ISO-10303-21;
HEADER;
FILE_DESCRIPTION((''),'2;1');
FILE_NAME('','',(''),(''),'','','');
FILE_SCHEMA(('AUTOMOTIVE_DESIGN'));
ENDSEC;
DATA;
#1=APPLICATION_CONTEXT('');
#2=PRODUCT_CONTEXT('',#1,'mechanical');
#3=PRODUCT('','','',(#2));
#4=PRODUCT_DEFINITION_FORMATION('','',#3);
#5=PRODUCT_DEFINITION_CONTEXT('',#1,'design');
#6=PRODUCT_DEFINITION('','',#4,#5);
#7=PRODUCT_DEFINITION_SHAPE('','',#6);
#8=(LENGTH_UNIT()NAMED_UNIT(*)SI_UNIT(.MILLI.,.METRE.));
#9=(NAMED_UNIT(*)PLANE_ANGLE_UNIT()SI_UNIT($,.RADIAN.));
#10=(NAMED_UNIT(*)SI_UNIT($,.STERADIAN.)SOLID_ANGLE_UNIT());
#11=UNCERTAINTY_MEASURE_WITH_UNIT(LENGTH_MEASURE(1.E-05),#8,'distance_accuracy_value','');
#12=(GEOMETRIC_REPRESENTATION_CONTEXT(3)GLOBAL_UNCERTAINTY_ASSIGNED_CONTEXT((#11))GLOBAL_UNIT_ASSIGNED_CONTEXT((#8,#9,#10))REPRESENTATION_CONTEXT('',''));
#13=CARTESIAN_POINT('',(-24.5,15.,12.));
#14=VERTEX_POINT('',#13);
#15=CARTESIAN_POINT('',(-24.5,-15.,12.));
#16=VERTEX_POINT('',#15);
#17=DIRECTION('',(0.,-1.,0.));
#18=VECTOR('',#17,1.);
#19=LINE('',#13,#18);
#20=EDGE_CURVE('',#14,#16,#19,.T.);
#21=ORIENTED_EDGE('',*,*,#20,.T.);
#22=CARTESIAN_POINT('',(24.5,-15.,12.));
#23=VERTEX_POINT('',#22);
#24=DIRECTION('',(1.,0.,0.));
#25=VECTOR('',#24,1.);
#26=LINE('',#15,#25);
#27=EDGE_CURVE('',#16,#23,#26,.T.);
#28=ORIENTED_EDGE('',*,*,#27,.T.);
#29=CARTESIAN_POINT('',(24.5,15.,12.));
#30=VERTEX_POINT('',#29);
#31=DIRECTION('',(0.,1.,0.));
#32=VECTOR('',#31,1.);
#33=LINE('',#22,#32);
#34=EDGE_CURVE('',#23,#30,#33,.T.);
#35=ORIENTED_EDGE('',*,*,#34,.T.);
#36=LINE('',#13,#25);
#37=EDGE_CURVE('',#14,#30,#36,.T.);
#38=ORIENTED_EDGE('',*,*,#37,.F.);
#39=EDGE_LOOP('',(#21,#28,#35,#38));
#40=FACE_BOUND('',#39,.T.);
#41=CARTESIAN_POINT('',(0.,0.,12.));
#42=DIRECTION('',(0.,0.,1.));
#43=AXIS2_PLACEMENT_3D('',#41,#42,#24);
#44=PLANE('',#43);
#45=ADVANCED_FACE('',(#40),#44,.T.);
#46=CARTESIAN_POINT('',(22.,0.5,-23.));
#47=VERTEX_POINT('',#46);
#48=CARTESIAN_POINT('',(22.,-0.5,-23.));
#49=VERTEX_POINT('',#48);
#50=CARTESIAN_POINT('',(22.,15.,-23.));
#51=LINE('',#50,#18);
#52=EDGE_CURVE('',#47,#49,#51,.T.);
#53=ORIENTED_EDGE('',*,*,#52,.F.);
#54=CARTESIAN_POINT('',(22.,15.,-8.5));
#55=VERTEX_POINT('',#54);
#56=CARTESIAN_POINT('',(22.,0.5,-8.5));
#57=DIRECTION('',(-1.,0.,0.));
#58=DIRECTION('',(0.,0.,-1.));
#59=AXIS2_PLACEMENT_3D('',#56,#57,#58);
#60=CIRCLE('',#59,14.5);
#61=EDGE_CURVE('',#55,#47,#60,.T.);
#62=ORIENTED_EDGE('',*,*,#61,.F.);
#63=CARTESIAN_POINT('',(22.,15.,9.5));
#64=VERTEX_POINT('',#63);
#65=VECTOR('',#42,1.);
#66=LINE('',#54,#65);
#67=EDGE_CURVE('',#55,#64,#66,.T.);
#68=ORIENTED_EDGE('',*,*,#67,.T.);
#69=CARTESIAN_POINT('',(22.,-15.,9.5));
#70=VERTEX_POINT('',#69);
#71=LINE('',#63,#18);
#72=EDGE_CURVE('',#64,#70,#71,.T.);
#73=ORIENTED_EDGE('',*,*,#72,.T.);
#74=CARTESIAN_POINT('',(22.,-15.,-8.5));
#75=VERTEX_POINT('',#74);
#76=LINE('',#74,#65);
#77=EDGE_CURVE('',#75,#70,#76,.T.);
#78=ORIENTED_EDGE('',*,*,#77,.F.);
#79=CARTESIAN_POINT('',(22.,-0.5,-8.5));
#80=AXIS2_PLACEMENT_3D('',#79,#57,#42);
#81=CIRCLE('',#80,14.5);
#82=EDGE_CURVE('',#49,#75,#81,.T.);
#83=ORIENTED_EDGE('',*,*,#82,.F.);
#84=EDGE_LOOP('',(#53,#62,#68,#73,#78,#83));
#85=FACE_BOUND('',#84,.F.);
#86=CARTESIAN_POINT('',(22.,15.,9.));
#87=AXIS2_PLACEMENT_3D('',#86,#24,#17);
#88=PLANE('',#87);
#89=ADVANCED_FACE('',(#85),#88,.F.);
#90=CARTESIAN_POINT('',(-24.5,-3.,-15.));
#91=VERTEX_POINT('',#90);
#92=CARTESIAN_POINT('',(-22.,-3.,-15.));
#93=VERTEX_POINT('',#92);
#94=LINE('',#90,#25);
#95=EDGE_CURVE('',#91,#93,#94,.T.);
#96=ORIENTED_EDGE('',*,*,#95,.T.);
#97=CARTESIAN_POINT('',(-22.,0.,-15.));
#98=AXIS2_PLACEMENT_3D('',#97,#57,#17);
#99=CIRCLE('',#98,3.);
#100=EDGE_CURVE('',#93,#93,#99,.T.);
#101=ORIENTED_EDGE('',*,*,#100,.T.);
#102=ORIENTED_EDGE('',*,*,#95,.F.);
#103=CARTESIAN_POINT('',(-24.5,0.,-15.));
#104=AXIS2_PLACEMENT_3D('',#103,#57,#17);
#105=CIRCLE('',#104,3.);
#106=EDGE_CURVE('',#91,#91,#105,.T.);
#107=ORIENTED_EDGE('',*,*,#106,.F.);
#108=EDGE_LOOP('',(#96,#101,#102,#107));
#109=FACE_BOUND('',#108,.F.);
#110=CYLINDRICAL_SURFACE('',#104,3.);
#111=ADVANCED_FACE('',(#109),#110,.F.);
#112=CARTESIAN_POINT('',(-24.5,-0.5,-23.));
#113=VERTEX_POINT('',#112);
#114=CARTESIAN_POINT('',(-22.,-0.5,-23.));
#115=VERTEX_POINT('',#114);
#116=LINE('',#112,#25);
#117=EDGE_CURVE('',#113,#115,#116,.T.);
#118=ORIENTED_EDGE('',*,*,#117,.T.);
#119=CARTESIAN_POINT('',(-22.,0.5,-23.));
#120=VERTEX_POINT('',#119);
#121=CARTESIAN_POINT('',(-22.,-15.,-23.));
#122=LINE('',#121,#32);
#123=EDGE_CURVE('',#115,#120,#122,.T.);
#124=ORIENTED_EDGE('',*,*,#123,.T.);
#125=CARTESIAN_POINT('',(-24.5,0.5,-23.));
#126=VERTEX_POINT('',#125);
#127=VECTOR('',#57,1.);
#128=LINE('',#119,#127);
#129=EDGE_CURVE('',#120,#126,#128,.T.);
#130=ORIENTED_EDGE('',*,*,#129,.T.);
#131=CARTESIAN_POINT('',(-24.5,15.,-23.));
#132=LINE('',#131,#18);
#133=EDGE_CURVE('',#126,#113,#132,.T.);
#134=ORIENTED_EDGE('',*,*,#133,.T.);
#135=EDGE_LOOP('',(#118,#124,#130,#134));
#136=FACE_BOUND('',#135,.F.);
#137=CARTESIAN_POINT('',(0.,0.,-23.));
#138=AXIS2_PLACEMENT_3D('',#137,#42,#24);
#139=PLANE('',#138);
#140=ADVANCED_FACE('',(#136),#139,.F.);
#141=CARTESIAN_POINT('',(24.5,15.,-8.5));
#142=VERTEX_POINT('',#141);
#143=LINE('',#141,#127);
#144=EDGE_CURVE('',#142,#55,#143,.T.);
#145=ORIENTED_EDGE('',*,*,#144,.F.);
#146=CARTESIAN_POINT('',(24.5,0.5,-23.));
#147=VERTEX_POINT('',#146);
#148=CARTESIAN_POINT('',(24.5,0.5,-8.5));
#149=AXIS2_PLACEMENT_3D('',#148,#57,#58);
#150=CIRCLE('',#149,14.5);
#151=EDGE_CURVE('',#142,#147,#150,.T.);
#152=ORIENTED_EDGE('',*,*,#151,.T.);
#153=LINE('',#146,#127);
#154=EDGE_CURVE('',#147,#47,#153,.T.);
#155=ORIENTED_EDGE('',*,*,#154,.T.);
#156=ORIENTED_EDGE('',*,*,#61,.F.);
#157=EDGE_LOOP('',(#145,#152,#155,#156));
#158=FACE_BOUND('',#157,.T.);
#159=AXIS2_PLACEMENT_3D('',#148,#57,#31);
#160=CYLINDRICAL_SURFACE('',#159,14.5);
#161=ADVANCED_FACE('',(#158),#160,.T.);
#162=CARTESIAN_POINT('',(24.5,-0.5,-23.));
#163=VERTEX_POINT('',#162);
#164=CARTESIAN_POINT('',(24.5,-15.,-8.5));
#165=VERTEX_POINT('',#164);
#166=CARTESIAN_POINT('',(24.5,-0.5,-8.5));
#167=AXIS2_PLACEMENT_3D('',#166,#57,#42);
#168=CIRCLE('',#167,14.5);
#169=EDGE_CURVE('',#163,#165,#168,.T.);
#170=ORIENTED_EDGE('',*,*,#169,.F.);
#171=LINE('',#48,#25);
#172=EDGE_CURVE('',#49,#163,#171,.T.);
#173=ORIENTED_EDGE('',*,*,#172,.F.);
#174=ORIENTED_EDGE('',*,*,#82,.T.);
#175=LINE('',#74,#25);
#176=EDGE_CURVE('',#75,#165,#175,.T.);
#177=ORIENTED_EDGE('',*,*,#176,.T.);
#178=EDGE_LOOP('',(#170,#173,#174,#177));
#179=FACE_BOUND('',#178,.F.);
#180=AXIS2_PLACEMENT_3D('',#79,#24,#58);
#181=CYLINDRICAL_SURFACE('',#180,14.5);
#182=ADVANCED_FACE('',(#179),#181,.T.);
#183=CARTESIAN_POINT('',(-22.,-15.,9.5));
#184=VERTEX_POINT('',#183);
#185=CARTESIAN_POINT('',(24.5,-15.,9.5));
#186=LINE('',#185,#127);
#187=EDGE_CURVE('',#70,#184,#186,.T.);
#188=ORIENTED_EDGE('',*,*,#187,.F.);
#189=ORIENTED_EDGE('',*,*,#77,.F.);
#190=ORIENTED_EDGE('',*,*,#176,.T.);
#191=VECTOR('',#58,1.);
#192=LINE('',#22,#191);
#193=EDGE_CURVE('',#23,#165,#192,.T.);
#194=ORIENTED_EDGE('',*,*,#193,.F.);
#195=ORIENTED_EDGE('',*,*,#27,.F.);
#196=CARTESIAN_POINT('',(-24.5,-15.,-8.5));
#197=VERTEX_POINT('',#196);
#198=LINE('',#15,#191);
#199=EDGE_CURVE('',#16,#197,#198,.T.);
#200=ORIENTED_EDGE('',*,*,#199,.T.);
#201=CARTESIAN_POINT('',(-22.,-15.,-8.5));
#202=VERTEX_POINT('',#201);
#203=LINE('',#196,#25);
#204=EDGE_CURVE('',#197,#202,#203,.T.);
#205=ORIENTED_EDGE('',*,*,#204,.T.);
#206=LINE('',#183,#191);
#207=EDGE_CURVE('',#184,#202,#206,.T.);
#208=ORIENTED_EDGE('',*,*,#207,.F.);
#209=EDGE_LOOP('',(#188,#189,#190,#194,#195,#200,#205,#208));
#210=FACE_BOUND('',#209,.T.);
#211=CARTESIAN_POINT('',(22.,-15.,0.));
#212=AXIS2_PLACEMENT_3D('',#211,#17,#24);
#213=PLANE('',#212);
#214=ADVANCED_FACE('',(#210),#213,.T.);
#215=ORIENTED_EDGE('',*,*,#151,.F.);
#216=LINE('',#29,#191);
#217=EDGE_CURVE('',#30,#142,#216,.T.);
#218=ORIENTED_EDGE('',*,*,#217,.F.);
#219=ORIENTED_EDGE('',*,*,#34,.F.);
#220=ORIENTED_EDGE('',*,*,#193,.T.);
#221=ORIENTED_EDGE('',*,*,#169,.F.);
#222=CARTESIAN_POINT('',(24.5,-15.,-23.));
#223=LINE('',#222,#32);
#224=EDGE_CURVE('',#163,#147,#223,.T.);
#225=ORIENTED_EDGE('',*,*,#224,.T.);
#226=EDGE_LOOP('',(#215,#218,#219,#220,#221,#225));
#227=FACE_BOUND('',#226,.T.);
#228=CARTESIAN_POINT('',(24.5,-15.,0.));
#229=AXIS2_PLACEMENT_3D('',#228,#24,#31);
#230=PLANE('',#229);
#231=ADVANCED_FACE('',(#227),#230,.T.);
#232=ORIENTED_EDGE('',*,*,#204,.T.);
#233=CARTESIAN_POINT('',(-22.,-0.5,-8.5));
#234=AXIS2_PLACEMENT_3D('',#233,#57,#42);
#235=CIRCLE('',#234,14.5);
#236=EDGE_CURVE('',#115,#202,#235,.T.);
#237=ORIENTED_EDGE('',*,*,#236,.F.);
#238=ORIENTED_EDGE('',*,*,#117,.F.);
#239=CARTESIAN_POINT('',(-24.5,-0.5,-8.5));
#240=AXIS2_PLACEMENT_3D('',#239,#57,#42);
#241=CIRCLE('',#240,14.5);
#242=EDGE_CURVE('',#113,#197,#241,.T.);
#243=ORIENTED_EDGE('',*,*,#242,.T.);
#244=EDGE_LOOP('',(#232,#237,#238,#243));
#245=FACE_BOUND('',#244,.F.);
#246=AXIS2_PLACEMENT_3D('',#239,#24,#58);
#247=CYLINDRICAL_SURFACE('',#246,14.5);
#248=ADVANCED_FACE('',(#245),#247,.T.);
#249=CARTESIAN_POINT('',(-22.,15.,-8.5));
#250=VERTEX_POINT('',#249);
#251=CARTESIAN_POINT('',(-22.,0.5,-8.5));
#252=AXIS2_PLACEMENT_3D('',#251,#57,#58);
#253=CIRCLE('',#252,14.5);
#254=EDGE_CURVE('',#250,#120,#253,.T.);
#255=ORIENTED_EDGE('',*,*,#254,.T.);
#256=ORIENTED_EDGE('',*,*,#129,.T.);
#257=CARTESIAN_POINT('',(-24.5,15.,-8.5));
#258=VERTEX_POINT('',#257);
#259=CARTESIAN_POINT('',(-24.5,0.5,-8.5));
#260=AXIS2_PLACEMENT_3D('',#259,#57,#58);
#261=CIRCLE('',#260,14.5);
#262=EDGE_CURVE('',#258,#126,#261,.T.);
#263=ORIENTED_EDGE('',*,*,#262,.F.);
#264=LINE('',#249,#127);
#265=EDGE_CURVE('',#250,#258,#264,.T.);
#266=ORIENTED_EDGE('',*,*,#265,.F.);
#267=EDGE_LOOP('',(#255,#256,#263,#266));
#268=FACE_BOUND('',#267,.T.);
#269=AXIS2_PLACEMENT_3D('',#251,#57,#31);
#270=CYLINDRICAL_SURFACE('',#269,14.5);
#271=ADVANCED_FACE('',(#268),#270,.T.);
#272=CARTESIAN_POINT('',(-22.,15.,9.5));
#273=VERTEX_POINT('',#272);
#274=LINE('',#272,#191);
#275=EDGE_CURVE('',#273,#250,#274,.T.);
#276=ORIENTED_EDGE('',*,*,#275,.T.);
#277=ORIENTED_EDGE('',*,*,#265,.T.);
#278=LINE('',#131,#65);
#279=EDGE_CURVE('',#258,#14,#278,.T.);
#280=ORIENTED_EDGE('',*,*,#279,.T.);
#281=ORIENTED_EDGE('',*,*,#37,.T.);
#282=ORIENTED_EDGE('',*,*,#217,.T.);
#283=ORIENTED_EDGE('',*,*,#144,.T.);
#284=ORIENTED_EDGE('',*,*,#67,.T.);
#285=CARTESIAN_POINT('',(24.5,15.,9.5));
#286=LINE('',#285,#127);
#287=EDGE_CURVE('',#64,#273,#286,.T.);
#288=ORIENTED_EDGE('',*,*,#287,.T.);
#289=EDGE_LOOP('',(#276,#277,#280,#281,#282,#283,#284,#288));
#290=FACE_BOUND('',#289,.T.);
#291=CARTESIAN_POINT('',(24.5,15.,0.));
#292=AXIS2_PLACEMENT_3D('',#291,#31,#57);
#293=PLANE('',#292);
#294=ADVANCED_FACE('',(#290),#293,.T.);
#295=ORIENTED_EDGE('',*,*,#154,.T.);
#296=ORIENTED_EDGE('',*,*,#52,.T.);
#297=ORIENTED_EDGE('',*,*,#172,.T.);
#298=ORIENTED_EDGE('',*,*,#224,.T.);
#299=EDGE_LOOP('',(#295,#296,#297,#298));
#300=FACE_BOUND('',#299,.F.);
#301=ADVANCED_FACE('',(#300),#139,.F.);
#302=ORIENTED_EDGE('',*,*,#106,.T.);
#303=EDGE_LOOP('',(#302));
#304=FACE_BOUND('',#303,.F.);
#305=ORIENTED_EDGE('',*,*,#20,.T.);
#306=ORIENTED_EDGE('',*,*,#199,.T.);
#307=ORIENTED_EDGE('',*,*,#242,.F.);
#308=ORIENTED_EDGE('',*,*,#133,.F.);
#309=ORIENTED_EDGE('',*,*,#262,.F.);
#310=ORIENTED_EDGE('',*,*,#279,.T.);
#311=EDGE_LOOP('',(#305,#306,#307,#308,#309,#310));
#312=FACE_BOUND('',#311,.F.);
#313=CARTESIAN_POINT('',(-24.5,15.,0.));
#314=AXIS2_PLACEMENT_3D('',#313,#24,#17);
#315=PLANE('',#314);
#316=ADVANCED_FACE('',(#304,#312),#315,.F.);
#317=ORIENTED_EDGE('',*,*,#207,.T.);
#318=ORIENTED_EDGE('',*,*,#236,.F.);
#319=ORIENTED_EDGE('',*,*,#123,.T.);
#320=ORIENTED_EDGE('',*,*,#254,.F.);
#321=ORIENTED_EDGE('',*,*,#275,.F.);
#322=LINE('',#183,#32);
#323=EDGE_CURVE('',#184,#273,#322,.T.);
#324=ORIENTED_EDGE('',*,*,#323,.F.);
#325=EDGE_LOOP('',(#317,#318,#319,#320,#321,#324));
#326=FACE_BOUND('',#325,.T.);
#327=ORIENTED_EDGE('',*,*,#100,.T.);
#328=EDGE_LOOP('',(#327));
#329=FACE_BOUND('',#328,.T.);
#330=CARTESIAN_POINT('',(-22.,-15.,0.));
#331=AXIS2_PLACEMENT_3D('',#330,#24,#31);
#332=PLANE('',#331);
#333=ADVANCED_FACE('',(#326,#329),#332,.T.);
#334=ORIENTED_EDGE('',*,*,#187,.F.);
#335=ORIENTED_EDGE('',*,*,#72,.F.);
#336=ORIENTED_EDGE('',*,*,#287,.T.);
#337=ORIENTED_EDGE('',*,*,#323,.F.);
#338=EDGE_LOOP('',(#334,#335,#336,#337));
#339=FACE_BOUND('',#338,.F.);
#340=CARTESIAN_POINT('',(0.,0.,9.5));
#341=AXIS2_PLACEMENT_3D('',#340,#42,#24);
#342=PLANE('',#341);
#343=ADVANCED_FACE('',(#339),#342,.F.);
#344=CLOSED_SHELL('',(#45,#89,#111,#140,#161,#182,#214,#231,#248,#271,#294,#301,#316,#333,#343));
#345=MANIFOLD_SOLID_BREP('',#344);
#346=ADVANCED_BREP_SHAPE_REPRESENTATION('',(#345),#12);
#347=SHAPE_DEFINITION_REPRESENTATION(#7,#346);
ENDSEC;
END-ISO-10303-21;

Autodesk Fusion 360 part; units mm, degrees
sketch "Sketch1" plane through (0, 0, 0) normal (0, 0, 1) x (1, 0, 0)
  line L0 (-22, 15) -> (22, 15)
  line L1 (22, 15) -> (22, -15)
  line L2 (22, -15) -> (-22, -15)
  line L3 (-22, -15) -> (-22, 15)
  line L4 (-22, 15) -> (22, -15) construction
  line L5 (22, 15) -> (-22, -15) construction
  line L6 (24.5, 15) -> (22, 15)
  line L7 (22, 15) -> (22, -15)
  line L8 (22, -15) -> (24.5, -15)
  line L9 (24.5, -15) -> (24.5, 15)
  line L10 (-24.5, -15) -> (-22, -15)
  line L11 (-22, -15) -> (-22, 15)
  line L12 (-22, 15) -> (-24.5, 15)
  line L13 (-24.5, 15) -> (-24.5, -15)
  dimension "d1" = 44
  dimension "d2" = 30
  dimension "d8" = 2.5
  dimension "d9" = 2.5
extrude "Extrude1" add sketch "Sketch1" against normal blind 23 contours L3 L10 L11 L12 L13 | L1 L6 L7 L8 L9 makes body 1 at (24.5, -5, -7.6667) makes body 2 at (-22, -5, -7.6667)
extrude "Extrude2" add sketch "Sketch1" along normal blind 12 bodies 1 2
sketch "Sketch2" plane through (-24.5, 0, 0) normal (-1, 0, 0) x (0, -1, 0)
  line L0 (-15, 12) -> (-15, -23)
  line L1 (-15, -23) -> (15, -23)
  line L2 (15, -23) -> (15, 12)
  line L3 (15, 12) -> (-15, 12)
  circle A0 centre (0, -15) radius 3
  dimension "d10" = 6
extrude "Extrude3" cut sketch "Sketch2" against normal blind 24 contours A0 bodies 1
fillet "Fillet1" radius 14.5 4 edges at (-23.25, -15, -23) (-23.25, 15, -23) (23.25, 15, -23) (23.25, -15, -23) on bodies 1
extrude "Extrude4" cut 1 faces at (-7.3333, 5, 0) along direction (0, 0, 1) blind 9 on bodies 1 bodies 1
extrude "Extrude5" cut 1 faces at (-7.3333, 5, 9) along direction (0, 0, 1) blind 0.5 on bodies 1 bodies 1
